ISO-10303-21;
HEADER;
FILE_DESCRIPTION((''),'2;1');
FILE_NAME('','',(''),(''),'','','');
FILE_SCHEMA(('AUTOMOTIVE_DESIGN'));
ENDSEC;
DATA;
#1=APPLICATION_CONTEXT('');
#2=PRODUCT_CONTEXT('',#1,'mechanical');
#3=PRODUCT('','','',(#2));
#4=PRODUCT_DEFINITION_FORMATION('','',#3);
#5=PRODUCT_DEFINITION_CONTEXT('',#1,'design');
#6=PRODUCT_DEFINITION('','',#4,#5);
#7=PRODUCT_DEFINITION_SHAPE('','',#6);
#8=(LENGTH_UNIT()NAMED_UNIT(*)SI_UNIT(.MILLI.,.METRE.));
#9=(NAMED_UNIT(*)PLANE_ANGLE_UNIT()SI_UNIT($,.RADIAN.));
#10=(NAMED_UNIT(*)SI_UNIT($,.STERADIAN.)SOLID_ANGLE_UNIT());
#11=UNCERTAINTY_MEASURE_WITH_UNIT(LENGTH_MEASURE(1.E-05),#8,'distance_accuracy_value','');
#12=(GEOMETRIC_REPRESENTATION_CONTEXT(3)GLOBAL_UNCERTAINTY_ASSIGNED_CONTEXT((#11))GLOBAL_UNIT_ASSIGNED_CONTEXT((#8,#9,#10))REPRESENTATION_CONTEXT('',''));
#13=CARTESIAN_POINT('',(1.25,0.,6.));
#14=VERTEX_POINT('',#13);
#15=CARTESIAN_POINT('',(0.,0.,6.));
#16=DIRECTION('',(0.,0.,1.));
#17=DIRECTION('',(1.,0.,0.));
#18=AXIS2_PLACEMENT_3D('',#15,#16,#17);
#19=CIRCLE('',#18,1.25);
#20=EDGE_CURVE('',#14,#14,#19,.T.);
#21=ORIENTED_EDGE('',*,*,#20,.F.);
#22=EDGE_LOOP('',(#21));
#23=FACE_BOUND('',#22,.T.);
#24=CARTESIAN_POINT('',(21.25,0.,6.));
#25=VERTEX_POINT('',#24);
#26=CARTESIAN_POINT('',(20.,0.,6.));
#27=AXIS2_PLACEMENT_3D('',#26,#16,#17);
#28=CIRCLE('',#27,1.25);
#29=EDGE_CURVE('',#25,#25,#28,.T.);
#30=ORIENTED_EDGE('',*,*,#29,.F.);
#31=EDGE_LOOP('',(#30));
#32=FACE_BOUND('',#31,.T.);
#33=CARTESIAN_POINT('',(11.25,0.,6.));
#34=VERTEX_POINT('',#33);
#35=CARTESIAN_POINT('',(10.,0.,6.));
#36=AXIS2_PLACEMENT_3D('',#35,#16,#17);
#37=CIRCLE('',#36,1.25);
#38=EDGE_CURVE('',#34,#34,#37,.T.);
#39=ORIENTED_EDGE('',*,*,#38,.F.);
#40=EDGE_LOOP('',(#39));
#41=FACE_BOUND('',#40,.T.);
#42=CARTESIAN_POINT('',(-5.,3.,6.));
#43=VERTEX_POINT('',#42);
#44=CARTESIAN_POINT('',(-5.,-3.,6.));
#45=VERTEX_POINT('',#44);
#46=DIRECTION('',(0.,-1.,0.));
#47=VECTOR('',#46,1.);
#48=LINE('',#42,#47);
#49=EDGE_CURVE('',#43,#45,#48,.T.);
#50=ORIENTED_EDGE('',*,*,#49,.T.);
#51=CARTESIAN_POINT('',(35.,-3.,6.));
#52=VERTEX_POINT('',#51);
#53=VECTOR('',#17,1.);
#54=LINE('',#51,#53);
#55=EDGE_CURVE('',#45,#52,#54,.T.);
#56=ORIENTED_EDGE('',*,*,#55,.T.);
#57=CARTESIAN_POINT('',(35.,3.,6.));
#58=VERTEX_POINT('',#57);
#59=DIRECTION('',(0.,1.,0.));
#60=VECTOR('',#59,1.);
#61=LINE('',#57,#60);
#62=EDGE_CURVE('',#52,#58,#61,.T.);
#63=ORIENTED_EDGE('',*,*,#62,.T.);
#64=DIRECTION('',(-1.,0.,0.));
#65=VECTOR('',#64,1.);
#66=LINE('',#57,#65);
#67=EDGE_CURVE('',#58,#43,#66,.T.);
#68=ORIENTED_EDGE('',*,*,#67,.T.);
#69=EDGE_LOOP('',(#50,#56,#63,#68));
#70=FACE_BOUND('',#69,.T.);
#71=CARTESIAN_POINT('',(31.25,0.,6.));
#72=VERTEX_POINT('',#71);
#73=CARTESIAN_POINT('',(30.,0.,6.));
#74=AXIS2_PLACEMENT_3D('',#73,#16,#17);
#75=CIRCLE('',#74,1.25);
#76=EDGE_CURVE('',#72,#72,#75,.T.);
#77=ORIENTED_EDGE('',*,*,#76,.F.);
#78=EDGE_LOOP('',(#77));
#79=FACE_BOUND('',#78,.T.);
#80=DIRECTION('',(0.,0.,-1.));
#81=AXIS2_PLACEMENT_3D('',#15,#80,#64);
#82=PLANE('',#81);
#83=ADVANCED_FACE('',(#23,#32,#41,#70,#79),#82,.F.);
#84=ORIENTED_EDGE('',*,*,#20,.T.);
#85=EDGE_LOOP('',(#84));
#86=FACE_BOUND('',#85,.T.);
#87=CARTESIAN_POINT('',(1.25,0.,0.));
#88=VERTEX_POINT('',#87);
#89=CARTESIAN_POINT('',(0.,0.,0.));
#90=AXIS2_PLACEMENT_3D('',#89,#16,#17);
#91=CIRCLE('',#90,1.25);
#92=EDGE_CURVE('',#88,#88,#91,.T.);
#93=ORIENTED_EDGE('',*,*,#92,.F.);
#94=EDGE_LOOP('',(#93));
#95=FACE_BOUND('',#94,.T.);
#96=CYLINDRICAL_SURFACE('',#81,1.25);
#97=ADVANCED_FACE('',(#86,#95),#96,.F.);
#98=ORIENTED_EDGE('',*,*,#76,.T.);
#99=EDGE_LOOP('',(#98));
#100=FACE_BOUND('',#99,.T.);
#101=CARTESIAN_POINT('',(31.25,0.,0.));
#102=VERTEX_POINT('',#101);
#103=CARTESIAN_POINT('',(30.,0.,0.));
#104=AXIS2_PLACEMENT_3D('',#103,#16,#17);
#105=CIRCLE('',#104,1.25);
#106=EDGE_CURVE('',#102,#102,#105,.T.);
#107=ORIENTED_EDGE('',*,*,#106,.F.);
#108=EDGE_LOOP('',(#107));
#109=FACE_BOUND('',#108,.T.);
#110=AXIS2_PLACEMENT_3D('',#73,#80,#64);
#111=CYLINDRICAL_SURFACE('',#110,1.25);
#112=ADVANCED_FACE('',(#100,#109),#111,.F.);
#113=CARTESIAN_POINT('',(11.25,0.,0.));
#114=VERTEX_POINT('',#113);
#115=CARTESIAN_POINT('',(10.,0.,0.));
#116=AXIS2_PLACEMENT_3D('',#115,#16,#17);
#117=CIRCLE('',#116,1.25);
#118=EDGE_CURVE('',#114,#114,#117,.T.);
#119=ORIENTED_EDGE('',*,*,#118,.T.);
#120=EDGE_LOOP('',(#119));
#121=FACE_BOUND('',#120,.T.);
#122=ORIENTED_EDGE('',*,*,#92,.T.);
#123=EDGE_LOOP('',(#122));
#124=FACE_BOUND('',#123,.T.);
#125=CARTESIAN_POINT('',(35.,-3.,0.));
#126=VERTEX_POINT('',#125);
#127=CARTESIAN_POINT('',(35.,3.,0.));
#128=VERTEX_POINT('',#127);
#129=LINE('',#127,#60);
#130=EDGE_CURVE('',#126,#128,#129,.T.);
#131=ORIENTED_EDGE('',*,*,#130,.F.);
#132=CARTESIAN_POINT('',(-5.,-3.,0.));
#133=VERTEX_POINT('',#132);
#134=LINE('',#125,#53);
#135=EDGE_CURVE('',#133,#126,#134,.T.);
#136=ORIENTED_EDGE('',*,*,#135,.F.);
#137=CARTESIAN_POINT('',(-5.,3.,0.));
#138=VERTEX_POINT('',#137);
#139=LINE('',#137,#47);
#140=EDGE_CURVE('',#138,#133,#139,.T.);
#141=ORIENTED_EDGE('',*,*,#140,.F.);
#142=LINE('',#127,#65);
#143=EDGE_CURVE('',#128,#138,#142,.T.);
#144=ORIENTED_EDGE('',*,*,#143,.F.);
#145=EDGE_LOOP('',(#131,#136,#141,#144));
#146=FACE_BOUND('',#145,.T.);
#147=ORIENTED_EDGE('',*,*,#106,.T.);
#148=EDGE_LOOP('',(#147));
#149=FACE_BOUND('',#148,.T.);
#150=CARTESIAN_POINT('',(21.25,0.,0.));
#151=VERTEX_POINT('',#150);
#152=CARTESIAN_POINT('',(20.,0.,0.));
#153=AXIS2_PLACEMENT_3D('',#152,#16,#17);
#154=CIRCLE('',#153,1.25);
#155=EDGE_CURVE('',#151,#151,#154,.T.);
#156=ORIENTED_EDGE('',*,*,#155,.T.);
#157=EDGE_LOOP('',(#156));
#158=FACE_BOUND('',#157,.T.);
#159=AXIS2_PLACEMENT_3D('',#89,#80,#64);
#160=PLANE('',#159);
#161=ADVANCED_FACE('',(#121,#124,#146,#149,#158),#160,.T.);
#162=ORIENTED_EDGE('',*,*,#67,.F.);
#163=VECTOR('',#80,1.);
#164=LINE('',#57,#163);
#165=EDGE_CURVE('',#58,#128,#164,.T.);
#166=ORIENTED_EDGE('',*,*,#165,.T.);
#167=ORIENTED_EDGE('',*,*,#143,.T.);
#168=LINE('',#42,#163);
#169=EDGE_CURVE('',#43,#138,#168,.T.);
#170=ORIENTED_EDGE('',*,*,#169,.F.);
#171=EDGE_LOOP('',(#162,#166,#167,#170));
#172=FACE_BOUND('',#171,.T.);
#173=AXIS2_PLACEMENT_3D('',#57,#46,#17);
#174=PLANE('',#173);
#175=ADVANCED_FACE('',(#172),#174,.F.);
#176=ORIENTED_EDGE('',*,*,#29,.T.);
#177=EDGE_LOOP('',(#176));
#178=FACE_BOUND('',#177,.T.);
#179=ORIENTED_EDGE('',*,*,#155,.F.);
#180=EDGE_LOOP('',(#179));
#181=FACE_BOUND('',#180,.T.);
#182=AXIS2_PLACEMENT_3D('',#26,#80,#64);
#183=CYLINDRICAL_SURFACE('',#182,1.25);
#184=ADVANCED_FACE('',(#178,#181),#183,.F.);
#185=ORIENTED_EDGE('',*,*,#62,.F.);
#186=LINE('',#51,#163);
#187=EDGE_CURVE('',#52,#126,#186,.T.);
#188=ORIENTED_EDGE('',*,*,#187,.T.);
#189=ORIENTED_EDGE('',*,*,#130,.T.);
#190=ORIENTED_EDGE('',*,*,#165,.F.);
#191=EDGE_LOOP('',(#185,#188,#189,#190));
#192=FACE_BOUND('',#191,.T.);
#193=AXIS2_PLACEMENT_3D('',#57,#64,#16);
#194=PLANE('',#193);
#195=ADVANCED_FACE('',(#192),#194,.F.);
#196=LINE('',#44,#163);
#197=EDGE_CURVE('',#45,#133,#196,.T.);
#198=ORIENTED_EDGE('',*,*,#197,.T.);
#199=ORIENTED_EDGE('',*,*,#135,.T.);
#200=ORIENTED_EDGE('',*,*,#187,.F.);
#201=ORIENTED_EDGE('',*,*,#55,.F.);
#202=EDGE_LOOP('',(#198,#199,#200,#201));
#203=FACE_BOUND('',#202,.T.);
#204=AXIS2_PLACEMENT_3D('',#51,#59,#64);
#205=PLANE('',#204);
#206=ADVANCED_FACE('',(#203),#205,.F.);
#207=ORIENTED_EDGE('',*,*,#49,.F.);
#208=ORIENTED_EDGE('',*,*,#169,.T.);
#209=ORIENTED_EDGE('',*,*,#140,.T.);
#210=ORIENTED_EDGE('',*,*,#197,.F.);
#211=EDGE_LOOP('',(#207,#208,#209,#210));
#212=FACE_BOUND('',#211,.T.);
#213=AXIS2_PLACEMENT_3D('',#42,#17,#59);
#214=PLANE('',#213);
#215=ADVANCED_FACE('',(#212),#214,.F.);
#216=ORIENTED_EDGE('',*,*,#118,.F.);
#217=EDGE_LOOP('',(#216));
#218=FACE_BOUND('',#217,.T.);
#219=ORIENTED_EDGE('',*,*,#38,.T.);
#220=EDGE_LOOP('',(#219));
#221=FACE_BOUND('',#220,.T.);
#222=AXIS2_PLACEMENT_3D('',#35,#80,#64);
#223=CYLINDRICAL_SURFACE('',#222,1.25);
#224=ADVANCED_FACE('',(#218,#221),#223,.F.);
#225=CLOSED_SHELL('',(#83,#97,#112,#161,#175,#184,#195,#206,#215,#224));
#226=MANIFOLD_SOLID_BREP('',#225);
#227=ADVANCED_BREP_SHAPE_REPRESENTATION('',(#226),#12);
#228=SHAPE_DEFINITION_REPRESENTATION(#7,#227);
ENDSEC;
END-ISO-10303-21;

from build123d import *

# Parameters (mm, degrees)
SKETCH_1_W      = 40
SKETCH_1_H      = 6
SKETCH_1_R      = 1.25
EXTRUDE_1_DEPTH = 6


with BuildPart() as part:
    # 草图1 → 凸台-拉伸1 (new body)
    with BuildSketch(Plane.XY):
        with Locations((15, 0)):
            Rectangle(SKETCH_1_W, SKETCH_1_H)
        Circle(SKETCH_1_R, mode=Mode.SUBTRACT)
        with Locations((10, 0)):
            Circle(SKETCH_1_R, mode=Mode.SUBTRACT)
        with Locations((20, 0)):
            Circle(SKETCH_1_R, mode=Mode.SUBTRACT)
        with Locations((30, 0)):
            Circle(SKETCH_1_R, mode=Mode.SUBTRACT)
    extrude(amount=EXTRUDE_1_DEPTH)


solid = part.part
